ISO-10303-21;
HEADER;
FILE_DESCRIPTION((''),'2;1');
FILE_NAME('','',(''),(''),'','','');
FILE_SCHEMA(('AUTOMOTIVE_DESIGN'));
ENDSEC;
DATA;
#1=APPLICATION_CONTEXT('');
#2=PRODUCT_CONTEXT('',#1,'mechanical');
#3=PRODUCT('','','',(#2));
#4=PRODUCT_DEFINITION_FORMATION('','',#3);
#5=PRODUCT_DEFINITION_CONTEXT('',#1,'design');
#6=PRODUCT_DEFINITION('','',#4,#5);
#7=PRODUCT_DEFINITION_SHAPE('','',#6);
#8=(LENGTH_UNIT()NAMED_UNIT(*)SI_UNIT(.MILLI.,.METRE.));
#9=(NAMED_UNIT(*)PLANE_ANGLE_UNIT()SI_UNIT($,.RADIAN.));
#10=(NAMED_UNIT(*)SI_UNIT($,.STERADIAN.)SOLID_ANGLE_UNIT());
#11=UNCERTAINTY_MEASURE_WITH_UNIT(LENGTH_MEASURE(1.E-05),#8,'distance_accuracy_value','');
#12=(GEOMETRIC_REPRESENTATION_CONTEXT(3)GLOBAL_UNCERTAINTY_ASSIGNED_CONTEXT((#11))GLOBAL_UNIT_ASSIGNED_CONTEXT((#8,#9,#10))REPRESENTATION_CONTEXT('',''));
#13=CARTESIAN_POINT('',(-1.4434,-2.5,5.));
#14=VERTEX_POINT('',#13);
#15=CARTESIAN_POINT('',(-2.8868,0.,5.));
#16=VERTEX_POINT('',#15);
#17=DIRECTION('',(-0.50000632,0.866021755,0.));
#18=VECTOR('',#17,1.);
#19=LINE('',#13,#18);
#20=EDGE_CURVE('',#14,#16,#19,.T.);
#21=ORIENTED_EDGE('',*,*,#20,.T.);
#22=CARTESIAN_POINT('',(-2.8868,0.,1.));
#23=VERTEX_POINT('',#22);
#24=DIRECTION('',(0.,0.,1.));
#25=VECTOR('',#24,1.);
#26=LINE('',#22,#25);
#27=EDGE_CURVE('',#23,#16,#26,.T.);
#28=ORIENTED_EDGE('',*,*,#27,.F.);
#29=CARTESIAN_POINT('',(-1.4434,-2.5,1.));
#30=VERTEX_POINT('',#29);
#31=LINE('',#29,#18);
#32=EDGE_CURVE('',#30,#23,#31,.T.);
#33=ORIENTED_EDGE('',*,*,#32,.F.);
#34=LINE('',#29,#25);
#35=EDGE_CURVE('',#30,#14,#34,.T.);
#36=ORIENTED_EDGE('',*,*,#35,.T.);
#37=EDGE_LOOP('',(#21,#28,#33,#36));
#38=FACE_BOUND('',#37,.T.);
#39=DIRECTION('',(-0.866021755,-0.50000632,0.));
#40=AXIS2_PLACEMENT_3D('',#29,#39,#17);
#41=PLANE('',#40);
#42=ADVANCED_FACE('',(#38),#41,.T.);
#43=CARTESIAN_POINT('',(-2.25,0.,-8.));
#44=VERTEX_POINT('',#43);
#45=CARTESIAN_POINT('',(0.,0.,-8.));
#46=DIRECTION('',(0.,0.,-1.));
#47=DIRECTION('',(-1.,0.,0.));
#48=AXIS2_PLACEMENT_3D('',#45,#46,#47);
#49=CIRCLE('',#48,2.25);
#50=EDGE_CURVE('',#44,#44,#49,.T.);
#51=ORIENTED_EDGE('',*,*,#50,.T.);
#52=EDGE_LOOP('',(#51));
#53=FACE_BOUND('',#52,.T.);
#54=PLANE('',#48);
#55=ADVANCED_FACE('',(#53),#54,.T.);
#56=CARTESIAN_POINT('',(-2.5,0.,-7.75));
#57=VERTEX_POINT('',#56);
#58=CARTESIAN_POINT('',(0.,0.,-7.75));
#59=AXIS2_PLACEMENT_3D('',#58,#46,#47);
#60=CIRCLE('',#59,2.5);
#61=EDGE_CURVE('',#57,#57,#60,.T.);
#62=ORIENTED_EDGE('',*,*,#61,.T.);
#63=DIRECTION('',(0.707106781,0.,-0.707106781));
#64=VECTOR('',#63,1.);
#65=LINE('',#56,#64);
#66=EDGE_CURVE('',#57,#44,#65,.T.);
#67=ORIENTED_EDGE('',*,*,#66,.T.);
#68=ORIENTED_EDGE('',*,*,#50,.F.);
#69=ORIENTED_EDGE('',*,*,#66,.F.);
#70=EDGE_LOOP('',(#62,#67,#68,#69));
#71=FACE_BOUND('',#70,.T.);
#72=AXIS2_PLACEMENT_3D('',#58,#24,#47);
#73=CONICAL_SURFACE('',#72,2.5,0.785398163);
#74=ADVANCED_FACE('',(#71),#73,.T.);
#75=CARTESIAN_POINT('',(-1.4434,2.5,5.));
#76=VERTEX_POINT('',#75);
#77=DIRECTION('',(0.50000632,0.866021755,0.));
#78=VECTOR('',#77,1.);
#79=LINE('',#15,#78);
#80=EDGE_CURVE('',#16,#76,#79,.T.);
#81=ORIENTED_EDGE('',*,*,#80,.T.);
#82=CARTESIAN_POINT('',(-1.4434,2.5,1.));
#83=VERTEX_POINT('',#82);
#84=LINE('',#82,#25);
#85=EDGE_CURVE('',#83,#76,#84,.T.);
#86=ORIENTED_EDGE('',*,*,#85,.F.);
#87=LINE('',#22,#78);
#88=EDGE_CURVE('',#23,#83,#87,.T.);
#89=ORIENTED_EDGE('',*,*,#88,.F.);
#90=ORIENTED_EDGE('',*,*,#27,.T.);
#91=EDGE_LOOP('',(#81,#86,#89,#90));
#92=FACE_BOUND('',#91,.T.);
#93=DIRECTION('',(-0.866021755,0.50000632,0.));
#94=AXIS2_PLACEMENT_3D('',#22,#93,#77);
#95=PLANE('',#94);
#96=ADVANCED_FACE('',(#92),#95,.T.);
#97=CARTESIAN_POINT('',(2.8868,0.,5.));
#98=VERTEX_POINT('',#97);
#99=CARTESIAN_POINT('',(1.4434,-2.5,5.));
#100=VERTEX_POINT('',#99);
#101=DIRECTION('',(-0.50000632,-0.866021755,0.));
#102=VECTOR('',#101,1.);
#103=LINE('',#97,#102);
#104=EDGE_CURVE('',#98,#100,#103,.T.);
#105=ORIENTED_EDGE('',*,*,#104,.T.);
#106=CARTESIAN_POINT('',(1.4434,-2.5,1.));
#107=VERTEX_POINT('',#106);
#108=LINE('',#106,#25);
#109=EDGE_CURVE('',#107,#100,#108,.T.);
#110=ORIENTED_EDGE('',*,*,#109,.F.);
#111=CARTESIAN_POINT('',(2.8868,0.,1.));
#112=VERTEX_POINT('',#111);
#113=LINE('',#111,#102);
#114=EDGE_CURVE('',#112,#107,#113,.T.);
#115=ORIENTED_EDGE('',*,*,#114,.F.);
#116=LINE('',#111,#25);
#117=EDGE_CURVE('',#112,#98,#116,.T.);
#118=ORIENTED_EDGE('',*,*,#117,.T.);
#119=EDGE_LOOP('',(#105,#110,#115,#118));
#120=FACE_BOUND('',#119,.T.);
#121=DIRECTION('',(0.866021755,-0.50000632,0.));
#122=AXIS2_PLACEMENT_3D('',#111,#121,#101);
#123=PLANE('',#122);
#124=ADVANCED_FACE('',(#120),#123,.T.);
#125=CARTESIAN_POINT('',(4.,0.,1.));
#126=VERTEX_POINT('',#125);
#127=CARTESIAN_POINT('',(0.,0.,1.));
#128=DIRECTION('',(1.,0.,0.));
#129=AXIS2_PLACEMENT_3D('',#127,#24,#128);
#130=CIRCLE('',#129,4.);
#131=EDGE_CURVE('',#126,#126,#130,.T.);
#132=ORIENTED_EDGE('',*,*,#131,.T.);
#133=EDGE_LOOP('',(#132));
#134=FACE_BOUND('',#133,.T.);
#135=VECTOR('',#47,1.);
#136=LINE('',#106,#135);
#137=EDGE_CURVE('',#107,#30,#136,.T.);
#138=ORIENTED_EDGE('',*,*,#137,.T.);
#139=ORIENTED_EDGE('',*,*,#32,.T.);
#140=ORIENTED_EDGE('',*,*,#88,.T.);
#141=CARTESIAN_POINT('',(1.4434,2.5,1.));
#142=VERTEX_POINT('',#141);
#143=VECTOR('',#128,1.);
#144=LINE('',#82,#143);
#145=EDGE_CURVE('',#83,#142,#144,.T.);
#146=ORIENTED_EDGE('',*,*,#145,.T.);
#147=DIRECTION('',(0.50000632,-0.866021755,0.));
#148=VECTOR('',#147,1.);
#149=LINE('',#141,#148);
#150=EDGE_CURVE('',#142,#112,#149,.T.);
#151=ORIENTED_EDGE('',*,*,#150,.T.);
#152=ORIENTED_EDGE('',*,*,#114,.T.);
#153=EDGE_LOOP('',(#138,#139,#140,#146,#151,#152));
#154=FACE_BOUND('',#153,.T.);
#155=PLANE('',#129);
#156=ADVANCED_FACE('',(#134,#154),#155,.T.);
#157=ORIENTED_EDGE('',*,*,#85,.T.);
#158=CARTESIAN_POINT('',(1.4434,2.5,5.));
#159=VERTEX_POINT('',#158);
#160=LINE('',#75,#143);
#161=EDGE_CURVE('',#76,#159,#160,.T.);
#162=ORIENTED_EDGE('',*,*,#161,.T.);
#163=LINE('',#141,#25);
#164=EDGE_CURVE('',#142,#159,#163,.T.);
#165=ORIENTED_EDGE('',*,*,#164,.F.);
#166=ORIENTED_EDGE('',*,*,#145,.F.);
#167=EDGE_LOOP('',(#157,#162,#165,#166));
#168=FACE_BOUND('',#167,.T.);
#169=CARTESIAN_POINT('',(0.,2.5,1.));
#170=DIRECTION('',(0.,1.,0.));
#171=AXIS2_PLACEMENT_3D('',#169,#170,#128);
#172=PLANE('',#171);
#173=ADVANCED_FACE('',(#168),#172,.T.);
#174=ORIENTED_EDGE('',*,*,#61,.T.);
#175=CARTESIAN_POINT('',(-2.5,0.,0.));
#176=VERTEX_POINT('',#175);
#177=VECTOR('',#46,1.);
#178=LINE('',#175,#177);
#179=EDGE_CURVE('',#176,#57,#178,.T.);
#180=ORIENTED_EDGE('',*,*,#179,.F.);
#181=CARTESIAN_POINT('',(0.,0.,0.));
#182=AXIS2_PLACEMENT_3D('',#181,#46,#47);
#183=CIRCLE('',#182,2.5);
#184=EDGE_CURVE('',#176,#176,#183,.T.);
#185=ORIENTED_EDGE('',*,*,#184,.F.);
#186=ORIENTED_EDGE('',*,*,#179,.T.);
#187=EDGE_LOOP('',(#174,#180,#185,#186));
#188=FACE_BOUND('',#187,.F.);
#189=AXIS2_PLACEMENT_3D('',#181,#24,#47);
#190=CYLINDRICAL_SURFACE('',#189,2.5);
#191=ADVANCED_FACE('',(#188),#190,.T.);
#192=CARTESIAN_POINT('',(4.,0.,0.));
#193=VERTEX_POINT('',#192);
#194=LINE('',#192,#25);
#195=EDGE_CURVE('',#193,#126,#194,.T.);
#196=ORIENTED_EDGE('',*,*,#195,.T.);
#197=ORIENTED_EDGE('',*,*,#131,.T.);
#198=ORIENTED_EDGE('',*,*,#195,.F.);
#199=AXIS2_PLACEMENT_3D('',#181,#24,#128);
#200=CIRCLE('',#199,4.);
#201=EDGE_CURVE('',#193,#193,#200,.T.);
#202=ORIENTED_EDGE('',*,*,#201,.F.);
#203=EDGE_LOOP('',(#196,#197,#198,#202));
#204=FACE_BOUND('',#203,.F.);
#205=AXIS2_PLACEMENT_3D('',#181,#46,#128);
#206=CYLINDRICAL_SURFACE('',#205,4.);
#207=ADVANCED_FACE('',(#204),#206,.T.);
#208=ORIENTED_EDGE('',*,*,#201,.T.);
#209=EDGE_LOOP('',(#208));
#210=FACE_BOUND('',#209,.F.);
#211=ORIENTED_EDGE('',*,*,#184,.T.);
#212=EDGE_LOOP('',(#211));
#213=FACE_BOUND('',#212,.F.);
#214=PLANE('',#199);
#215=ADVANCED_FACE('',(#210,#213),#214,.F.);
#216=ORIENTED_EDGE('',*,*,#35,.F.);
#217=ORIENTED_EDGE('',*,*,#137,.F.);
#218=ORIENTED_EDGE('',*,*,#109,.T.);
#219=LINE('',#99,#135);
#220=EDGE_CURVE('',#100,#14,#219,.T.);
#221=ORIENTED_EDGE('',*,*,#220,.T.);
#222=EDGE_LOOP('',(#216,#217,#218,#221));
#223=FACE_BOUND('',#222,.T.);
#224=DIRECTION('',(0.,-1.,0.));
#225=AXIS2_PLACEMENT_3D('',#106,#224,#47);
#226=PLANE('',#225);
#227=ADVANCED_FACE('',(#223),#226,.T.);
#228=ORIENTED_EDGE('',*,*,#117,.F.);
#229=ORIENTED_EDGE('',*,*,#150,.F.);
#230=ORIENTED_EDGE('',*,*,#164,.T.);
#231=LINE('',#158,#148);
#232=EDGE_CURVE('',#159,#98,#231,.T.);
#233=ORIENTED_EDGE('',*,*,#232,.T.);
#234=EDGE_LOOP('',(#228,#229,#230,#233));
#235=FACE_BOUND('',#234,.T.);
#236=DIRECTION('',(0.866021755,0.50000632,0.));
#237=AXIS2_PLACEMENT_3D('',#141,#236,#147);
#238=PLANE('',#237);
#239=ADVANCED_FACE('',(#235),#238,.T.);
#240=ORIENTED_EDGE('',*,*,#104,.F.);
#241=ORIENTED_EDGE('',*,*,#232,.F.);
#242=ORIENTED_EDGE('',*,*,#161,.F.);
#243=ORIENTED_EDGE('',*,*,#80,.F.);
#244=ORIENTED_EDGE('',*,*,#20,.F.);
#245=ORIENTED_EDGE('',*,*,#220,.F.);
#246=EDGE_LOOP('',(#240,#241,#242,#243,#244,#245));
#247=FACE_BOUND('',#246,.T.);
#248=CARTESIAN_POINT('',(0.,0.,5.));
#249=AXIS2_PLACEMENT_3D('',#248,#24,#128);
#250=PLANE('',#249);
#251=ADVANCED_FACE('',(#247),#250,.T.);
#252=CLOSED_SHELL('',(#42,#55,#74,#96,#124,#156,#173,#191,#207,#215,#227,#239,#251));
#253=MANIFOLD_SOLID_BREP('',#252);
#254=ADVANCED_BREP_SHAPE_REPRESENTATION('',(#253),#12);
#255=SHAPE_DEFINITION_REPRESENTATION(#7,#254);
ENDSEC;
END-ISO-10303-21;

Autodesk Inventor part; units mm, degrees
ref_plane "YZ Plane" through (0, 0, 0) normal (1, 0, 0) x (0, 1, 0)
ref_plane "XZ Plane" through (0, 0, 0) normal (0, 1, 0) x (-1, 0, 0)
ref_plane "XY Plane" through (0, 0, 0) normal (0, 0, 1) x (1, 0, 0)
sketch "草图1" plane through (0, 0, 0) normal (0, 0, 1) x (1, 0, 0)
  circle A0 centre (0, 0) radius 4
  dimension "d0" = 8
extrude "拉伸1" add sketch "草图1" along normal blind 1
sketch "草图2" plane through (0, 0, 1) normal (0, 0, 1) x (1, 0, 0)
  line L0 (1.4434, -2.5) -> (-1.4434, -2.5)
  line L1 (-1.4434, -2.5) -> (-2.8868, 0)
  line L2 (-2.8868, 0) -> (-1.4434, 2.5)
  line L3 (-1.4434, 2.5) -> (1.4434, 2.5)
  line L4 (1.4434, 2.5) -> (2.8868, 0)
  line L5 (2.8868, 0) -> (1.4434, -2.5)
  line L6 (0, 0) -> (0, 2.5)
  dimension "d3" = 5
extrude "拉伸2" add sketch "草图2" along normal blind 4
sketch "草图3" plane through (0, 0, 0) normal (0, 0, -1) x (-1, 0, 0)
  circle A0 centre (0, 0) radius 2.5
  dimension "d6" = 5
extrude "拉伸3" add sketch "草图3" along normal blind 8
thread "螺纹1" size "M5x0.8" class "6g" standard "ANSI Metric M Profile" full length
chamfer "倒角1" distance 0.25 angle 45 1 edges at (2.5, 0, -8)
properties part number "装填斗罩螺丝"
